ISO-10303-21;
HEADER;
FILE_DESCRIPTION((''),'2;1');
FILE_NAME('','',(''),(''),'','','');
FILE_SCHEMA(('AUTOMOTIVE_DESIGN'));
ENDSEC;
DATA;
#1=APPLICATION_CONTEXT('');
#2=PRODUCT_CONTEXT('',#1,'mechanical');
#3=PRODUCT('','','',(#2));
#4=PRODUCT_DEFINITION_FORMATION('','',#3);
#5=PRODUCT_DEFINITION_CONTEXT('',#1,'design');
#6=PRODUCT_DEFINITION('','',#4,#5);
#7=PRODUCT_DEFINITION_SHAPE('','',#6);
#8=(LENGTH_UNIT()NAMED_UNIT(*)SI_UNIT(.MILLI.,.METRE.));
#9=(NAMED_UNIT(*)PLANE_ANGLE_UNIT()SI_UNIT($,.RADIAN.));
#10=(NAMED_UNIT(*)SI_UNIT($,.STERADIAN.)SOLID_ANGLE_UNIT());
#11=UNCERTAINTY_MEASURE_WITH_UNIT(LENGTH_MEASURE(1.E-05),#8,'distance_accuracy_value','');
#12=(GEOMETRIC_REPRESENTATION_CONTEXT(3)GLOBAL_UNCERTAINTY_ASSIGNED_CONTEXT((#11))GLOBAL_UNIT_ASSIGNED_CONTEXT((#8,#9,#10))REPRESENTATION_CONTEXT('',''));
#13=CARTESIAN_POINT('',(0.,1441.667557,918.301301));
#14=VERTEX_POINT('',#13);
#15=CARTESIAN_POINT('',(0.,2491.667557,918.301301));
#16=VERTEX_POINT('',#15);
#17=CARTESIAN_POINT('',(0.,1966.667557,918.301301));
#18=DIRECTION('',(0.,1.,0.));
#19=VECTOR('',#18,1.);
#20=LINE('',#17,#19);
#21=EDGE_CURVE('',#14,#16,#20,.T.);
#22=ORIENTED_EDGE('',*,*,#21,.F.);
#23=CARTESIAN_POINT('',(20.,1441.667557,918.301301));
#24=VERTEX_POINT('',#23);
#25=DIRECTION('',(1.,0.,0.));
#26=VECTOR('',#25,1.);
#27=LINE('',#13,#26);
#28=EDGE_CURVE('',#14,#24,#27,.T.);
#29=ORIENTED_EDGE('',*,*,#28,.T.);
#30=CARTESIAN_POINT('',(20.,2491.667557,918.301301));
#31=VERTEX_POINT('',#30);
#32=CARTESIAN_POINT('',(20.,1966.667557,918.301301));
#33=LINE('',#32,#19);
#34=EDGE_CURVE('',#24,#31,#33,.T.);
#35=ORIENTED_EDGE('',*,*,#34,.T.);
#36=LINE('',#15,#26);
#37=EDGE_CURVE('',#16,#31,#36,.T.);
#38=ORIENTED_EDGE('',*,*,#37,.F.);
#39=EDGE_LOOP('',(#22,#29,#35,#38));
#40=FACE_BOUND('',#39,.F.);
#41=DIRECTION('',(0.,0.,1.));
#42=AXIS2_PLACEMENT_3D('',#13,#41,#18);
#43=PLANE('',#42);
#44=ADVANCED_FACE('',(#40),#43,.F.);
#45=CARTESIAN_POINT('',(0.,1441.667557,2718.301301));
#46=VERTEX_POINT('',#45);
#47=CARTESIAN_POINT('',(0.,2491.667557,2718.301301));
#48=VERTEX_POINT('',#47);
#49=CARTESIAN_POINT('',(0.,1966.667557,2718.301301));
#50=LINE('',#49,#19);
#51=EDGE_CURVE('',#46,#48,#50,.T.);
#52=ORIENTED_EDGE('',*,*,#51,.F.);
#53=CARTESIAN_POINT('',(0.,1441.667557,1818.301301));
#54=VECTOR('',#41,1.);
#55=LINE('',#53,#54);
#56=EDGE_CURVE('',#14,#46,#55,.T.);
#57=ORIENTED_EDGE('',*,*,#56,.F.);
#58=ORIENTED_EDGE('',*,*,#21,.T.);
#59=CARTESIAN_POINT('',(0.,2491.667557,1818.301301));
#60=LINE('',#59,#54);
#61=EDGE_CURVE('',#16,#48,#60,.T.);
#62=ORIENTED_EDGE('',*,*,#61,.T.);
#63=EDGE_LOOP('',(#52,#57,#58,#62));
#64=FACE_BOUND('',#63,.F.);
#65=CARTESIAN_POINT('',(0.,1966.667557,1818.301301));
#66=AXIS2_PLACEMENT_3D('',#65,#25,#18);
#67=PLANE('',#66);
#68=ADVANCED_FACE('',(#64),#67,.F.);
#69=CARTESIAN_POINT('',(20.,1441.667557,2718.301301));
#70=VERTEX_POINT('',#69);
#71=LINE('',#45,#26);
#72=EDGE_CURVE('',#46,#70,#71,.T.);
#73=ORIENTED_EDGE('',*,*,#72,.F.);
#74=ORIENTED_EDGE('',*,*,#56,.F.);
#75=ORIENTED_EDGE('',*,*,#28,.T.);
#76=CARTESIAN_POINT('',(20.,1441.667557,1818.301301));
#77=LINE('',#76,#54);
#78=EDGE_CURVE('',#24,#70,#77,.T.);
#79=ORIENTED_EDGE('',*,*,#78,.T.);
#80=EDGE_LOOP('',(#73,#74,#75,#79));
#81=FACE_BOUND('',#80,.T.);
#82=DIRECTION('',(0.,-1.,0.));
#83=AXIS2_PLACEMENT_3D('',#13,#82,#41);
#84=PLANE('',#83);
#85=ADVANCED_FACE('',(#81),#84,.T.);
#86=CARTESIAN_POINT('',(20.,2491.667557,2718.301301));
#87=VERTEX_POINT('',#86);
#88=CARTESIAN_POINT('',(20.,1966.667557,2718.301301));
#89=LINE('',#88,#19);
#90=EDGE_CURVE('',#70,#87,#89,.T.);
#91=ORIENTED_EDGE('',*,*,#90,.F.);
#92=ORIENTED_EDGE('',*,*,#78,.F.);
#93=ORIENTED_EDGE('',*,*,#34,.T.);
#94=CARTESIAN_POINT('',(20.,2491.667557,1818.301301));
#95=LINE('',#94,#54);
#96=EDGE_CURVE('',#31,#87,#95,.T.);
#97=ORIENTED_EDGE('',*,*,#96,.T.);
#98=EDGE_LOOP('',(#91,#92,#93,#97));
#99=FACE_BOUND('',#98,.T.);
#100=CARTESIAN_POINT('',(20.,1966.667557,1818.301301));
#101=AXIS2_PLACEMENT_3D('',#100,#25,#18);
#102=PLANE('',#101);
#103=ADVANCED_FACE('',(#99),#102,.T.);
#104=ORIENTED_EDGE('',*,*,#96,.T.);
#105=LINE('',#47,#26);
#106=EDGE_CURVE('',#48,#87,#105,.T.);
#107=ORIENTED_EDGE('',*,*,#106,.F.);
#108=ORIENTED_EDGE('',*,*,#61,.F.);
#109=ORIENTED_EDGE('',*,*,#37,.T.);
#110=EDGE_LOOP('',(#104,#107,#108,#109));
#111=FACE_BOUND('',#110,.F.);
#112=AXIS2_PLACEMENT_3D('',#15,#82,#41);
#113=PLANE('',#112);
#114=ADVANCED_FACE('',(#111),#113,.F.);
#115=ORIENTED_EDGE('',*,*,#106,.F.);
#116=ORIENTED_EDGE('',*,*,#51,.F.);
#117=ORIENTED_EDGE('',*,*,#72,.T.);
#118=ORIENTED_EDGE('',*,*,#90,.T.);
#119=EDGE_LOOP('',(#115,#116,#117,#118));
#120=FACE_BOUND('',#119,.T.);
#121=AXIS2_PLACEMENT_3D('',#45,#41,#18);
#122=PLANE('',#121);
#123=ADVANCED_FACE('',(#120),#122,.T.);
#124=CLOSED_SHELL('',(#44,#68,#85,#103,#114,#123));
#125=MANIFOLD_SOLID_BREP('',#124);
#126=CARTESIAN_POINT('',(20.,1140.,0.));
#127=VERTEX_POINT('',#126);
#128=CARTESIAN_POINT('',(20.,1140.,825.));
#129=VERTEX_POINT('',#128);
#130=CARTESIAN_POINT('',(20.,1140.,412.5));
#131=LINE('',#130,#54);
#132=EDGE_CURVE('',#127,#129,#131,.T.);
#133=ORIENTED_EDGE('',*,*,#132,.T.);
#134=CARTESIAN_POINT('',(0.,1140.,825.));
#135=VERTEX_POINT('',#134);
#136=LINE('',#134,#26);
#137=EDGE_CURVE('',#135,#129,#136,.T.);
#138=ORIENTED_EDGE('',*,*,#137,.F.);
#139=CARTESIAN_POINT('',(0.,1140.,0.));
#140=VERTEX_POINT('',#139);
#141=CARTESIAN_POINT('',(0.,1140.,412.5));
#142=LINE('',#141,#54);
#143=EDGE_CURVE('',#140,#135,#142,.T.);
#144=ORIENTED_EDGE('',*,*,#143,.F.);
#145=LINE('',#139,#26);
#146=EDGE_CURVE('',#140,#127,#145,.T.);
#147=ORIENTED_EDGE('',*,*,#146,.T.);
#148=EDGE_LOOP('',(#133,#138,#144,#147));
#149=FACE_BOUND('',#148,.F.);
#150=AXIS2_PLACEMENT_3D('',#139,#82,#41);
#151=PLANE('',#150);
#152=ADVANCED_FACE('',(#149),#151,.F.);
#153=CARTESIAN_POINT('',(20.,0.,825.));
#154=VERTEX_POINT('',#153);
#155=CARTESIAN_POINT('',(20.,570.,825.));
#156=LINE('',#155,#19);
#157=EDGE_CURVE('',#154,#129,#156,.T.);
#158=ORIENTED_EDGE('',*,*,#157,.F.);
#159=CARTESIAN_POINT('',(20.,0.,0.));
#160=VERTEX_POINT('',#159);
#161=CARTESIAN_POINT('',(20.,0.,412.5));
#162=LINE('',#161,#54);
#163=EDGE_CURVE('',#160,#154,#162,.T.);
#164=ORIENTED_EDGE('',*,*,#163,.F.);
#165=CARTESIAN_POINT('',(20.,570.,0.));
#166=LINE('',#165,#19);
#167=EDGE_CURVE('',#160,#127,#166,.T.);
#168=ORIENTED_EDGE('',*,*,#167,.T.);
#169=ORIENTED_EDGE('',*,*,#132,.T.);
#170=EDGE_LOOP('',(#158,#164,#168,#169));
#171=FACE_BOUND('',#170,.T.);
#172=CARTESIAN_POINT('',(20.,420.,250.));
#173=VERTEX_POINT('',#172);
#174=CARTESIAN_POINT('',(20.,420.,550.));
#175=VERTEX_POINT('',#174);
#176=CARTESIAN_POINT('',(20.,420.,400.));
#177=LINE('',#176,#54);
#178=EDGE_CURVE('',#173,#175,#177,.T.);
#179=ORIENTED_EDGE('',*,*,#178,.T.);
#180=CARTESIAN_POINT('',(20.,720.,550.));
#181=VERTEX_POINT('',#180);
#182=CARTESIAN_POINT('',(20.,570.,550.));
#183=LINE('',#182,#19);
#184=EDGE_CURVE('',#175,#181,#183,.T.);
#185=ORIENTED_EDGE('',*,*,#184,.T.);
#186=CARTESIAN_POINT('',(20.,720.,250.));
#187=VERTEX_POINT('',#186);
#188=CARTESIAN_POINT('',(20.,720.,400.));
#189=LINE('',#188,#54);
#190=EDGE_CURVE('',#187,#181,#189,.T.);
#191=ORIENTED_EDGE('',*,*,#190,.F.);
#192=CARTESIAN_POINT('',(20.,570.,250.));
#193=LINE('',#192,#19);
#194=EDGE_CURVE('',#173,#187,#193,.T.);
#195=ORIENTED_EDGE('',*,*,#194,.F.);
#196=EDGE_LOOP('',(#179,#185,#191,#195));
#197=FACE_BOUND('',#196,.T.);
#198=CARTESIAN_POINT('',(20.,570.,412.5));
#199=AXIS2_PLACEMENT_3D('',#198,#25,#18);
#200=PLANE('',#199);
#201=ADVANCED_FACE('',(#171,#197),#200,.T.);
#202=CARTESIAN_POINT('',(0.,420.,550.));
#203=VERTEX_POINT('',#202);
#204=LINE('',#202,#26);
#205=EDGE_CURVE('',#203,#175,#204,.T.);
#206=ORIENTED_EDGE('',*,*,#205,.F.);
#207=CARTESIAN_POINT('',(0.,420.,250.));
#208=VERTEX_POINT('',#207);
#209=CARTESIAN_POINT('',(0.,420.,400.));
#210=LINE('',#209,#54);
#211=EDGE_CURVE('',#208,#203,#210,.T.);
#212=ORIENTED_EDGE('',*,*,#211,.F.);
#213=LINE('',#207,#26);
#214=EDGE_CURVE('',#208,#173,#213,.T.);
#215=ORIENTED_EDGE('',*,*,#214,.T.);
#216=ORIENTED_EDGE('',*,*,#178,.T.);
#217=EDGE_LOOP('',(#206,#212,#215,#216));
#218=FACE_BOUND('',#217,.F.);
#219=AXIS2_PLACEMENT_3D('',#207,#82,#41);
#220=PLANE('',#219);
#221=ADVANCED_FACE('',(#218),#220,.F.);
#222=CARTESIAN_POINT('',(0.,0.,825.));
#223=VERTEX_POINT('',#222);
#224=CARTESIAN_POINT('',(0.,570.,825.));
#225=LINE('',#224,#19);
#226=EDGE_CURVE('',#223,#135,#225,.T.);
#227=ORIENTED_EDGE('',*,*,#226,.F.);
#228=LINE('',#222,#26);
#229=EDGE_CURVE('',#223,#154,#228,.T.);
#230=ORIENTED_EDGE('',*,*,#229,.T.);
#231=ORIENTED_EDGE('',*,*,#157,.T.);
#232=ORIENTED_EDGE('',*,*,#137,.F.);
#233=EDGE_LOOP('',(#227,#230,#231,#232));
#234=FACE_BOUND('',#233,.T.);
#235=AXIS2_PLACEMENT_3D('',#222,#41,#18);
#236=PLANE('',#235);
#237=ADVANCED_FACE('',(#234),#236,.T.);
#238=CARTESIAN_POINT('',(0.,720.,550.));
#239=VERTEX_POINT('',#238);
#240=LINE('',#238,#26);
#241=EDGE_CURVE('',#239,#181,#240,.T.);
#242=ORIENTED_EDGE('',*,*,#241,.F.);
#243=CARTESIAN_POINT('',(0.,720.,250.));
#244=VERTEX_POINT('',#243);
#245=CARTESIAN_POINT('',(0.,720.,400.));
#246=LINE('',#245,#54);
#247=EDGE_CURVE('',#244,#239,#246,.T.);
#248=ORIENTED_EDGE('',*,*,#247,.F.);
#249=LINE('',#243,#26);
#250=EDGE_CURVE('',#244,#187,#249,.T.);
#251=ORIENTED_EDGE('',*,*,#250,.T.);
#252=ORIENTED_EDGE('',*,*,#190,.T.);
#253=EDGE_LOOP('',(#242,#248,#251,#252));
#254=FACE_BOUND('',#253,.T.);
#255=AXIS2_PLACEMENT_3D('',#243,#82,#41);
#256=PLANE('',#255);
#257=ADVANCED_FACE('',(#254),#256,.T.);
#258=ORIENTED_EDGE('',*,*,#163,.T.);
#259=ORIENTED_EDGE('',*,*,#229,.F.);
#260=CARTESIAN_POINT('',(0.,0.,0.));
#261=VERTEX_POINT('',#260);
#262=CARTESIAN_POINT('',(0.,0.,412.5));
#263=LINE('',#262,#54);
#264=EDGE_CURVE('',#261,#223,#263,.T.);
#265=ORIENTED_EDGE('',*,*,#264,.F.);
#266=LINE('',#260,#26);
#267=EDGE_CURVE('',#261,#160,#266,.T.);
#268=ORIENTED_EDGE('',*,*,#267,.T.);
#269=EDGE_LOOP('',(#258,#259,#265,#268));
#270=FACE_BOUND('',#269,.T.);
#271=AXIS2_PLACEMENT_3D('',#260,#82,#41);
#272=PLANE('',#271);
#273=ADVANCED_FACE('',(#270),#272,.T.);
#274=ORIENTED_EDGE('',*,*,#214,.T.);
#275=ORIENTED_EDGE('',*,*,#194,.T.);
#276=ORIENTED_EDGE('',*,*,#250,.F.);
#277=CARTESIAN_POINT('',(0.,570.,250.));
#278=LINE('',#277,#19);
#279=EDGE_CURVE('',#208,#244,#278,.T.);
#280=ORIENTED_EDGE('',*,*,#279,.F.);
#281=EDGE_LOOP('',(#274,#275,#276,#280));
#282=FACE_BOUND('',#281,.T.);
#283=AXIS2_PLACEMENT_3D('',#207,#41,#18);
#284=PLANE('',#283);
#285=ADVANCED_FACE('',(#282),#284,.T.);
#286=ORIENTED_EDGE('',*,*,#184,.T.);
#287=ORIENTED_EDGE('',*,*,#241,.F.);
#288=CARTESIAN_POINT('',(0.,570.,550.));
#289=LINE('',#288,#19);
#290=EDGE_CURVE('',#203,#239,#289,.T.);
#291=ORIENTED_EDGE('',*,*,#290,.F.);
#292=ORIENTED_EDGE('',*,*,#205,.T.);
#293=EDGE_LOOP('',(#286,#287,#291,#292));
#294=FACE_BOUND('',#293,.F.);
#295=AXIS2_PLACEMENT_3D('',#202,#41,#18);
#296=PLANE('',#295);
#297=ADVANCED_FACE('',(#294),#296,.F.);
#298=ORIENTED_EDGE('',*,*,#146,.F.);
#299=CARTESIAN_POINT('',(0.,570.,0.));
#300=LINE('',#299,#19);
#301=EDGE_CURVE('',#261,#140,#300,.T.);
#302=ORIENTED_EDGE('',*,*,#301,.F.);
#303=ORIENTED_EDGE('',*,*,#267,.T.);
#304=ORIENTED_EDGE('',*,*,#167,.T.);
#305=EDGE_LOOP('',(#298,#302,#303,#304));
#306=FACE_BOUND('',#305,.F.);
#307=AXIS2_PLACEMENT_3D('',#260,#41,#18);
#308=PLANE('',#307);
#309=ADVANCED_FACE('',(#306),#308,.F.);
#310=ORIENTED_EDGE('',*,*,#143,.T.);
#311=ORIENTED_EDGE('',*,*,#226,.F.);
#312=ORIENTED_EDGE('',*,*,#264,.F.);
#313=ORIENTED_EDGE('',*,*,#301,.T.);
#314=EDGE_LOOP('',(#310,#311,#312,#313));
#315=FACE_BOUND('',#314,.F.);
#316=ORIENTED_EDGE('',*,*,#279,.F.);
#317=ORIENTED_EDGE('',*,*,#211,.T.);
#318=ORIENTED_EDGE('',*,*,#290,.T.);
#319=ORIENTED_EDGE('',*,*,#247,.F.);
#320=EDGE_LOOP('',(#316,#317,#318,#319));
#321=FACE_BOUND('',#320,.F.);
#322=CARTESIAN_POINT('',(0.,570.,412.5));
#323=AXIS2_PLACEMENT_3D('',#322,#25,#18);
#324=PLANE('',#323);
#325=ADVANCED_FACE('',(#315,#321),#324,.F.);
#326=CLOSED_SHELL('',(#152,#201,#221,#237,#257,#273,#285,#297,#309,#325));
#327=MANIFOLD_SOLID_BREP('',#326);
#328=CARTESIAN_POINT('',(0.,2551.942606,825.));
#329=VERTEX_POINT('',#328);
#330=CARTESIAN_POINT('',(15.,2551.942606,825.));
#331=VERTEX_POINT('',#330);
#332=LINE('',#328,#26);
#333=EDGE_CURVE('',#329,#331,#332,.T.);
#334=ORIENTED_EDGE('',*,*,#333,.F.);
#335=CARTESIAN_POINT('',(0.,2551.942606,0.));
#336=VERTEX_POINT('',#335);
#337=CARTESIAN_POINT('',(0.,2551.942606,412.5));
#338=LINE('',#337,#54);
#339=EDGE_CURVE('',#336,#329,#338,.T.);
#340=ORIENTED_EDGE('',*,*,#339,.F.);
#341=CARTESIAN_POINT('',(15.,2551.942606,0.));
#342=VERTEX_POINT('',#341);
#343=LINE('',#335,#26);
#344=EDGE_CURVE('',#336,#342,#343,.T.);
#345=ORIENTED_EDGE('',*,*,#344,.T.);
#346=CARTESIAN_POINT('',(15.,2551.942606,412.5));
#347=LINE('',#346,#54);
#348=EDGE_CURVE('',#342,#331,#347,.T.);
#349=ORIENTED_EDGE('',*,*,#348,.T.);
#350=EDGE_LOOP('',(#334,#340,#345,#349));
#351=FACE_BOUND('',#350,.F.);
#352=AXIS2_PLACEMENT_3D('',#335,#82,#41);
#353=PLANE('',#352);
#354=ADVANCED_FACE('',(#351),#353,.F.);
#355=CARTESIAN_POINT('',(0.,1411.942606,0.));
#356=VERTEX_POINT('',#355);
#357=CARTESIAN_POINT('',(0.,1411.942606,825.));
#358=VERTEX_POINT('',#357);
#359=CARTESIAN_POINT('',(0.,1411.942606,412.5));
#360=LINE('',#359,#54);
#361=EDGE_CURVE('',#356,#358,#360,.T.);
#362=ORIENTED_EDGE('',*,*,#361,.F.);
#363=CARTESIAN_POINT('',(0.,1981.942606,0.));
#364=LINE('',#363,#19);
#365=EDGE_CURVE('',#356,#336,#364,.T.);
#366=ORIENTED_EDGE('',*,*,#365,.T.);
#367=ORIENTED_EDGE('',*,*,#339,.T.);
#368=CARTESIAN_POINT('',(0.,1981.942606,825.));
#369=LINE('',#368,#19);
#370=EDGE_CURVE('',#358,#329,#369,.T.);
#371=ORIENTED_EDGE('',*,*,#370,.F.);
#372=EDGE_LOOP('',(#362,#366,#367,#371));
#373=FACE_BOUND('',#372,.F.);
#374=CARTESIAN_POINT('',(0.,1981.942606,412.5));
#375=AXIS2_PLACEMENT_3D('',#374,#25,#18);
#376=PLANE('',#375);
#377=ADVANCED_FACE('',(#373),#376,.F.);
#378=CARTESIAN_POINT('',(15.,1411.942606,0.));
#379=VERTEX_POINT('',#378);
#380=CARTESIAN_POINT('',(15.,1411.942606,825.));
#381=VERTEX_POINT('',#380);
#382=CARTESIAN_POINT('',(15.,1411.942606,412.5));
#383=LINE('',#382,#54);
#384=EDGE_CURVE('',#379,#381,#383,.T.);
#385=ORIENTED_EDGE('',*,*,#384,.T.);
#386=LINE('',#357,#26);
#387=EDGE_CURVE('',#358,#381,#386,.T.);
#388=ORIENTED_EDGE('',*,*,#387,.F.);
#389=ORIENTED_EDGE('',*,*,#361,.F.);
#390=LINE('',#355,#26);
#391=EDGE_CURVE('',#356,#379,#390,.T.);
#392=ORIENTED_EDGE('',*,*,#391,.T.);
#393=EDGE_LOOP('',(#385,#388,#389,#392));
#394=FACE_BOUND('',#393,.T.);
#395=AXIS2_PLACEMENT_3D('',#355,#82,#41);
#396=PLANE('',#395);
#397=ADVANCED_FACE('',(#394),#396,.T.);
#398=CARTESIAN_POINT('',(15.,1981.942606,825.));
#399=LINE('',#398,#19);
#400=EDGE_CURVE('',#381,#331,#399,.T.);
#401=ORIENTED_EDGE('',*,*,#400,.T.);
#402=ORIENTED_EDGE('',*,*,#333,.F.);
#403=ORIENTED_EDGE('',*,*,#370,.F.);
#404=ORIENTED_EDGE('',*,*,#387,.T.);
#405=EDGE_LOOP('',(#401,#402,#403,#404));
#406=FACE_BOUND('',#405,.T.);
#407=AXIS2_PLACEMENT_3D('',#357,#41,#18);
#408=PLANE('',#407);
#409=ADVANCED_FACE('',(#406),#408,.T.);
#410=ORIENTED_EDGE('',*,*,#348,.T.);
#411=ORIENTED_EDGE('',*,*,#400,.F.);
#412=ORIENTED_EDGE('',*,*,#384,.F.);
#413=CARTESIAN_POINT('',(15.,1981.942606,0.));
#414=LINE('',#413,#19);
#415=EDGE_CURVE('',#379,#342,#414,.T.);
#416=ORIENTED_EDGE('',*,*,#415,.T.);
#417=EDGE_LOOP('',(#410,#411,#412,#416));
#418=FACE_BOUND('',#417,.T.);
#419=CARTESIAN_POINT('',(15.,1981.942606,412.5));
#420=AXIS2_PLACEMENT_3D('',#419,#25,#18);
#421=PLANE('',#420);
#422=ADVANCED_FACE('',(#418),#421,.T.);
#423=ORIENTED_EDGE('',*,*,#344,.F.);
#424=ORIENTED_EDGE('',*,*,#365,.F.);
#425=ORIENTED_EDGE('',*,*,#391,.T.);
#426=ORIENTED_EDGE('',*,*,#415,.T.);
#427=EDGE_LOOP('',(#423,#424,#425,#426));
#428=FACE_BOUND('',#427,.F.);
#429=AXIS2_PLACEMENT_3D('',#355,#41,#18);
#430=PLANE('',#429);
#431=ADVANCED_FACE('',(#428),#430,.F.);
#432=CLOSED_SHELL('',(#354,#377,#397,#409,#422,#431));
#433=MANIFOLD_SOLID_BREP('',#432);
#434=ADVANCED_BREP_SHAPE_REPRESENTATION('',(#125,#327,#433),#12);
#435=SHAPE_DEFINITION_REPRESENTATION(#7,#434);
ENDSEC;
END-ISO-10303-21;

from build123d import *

# Parameters (mm, degrees)
F0_W     = 1140
F0_H     = 825
F0_W_2   = 300
F0_H_2   = 300
F1_DEPTH = 20
F2_W     = 1140
F2_H     = 825
F3_DEPTH = 15
F4_W     = 1050
F4_H     = 1800
F5_DEPTH = 20


with BuildPart() as f1:
    # F0 (on Right) → F1 (new body)
    with BuildSketch(Plane.YZ):
        with Locations((570, 412.5)):
            Rectangle(F0_W, F0_H)
        with Locations((570, 400)):
            Rectangle(F0_W_2, F0_H_2, mode=Mode.SUBTRACT)
    extrude(amount=F1_DEPTH)


with BuildPart() as f3:
    # F2 (on Right) → F3 (new body)
    with BuildSketch(Plane.YZ):
        with Locations((1981.942606, 412.5)):
            Rectangle(F2_W, F2_H)
    extrude(amount=F3_DEPTH)


with BuildPart() as f5:
    # F4 (on Right) → F5 (new body)
    with BuildSketch(Plane.YZ):
        with Locations((1966.667557, 1818.301301)):
            Rectangle(F4_W, F4_H)
    extrude(amount=F5_DEPTH)


solid = Compound([f1.part, f3.part, f5.part])
